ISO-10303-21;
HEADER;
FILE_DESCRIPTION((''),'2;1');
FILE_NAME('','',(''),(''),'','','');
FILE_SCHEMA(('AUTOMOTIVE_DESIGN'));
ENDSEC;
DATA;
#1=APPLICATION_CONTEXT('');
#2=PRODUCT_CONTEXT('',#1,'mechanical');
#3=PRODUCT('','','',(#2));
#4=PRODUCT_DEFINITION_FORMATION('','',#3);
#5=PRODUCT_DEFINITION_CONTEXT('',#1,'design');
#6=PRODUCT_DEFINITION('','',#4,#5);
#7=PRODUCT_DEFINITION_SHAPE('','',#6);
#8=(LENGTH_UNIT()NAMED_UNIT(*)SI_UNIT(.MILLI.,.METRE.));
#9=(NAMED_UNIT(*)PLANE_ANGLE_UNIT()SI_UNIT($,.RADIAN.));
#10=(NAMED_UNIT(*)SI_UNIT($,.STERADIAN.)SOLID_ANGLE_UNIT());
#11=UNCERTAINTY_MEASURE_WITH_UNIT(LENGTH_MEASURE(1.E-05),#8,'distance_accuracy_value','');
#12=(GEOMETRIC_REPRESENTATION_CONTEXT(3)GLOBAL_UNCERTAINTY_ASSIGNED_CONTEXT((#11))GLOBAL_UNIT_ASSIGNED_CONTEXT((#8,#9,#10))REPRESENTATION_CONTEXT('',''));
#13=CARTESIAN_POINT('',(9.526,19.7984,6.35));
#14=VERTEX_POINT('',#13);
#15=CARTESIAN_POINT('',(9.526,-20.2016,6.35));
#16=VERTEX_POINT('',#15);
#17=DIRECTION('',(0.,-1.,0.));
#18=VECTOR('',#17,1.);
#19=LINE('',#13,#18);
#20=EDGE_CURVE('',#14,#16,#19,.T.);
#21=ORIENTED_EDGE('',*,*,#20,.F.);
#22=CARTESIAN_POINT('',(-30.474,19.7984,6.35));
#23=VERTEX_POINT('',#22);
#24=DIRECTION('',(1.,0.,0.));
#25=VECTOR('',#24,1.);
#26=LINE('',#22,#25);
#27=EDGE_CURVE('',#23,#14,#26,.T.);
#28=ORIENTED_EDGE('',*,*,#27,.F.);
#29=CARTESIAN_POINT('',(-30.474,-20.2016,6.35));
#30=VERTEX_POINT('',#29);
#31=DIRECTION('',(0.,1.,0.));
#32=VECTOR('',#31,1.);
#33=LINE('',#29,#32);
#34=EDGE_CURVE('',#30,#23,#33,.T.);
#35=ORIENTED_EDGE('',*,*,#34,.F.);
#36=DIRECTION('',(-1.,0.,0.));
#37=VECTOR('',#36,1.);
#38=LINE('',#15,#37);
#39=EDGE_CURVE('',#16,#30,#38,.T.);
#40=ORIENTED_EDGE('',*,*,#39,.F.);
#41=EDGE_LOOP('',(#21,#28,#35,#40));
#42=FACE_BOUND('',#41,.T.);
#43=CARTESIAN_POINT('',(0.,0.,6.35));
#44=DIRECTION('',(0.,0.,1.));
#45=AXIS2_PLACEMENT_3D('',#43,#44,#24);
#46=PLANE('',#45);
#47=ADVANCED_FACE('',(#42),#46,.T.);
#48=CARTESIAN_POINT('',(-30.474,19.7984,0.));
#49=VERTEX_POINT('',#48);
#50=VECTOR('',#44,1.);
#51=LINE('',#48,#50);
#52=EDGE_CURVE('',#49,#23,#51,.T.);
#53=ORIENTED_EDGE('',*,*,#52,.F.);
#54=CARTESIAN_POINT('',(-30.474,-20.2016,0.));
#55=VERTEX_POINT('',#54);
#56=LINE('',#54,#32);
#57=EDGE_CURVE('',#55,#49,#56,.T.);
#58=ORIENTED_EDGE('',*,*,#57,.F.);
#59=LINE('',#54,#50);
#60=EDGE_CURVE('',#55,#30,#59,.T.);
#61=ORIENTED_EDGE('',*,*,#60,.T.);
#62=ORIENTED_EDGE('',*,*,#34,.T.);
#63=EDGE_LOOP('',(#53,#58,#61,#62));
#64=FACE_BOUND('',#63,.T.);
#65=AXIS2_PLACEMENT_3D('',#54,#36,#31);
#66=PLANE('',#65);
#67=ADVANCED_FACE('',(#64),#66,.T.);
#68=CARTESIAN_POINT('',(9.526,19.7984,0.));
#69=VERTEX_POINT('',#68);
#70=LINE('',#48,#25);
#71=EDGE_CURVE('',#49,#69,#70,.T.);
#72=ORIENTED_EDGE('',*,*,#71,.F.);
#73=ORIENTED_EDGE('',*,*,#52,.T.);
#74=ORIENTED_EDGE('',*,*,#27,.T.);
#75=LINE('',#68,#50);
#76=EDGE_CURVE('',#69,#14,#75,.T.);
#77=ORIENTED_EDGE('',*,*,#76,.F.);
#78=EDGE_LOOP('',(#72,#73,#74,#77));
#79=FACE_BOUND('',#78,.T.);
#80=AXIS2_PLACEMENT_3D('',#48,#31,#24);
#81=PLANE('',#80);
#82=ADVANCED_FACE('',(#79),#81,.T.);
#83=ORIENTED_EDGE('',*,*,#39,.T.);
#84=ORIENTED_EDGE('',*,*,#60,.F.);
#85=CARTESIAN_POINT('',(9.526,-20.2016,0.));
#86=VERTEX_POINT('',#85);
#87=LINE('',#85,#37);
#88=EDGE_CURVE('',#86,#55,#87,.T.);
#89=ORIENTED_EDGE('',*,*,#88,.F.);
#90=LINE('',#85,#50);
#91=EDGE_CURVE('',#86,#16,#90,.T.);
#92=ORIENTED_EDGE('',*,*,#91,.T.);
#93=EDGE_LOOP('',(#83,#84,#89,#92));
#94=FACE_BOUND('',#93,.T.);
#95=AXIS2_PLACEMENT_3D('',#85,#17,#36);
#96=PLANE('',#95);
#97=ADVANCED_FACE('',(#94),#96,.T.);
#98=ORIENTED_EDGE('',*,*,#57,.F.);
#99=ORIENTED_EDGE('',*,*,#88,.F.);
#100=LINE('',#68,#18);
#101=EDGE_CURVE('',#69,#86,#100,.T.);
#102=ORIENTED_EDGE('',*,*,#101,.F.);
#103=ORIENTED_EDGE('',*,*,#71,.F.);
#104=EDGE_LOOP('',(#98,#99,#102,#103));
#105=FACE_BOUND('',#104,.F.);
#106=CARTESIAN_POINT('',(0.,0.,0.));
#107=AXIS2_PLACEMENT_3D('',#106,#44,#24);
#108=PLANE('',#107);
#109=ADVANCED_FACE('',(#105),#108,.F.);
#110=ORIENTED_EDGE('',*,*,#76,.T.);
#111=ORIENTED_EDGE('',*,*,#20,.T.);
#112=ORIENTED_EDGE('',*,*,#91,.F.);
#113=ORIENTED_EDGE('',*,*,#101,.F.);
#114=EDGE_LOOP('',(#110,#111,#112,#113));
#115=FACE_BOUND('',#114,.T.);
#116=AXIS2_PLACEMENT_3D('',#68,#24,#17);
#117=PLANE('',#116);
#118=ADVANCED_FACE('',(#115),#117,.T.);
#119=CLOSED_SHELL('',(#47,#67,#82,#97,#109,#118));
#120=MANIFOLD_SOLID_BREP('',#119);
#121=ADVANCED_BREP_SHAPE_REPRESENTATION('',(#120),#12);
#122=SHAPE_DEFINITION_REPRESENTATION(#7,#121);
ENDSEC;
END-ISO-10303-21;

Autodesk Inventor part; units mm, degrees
ref_plane "YZ Plane" through (0, 0, 0) normal (1, 0, 0) x (0, 1, 0)
ref_plane "XZ Plane" through (0, 0, 0) normal (0, 1, 0) x (-1, 0, 0)
ref_plane "XY Plane" through (0, 0, 0) normal (0, 0, 1) x (1, 0, 0)
sketch "Sketch1" plane through (0, 0, 0) normal (0, 0, 1) x (1, 0, 0)
  line L0 (-30.474, 19.7984) -> (9.526, 19.7984)
  line L1 (9.526, 19.7984) -> (9.526, -20.2016)
  line L2 (9.526, -20.2016) -> (-30.474, -20.2016)
  line L3 (-30.474, -20.2016) -> (-30.474, 19.7984)
  point P0 (0, 0)
  dimension "d0" = 40
  dimension "d1" = 40
extrude "Extrusion1" add sketch "Sketch1" along normal blind 6.35
properties part number "PeltierThermalSpacer"
